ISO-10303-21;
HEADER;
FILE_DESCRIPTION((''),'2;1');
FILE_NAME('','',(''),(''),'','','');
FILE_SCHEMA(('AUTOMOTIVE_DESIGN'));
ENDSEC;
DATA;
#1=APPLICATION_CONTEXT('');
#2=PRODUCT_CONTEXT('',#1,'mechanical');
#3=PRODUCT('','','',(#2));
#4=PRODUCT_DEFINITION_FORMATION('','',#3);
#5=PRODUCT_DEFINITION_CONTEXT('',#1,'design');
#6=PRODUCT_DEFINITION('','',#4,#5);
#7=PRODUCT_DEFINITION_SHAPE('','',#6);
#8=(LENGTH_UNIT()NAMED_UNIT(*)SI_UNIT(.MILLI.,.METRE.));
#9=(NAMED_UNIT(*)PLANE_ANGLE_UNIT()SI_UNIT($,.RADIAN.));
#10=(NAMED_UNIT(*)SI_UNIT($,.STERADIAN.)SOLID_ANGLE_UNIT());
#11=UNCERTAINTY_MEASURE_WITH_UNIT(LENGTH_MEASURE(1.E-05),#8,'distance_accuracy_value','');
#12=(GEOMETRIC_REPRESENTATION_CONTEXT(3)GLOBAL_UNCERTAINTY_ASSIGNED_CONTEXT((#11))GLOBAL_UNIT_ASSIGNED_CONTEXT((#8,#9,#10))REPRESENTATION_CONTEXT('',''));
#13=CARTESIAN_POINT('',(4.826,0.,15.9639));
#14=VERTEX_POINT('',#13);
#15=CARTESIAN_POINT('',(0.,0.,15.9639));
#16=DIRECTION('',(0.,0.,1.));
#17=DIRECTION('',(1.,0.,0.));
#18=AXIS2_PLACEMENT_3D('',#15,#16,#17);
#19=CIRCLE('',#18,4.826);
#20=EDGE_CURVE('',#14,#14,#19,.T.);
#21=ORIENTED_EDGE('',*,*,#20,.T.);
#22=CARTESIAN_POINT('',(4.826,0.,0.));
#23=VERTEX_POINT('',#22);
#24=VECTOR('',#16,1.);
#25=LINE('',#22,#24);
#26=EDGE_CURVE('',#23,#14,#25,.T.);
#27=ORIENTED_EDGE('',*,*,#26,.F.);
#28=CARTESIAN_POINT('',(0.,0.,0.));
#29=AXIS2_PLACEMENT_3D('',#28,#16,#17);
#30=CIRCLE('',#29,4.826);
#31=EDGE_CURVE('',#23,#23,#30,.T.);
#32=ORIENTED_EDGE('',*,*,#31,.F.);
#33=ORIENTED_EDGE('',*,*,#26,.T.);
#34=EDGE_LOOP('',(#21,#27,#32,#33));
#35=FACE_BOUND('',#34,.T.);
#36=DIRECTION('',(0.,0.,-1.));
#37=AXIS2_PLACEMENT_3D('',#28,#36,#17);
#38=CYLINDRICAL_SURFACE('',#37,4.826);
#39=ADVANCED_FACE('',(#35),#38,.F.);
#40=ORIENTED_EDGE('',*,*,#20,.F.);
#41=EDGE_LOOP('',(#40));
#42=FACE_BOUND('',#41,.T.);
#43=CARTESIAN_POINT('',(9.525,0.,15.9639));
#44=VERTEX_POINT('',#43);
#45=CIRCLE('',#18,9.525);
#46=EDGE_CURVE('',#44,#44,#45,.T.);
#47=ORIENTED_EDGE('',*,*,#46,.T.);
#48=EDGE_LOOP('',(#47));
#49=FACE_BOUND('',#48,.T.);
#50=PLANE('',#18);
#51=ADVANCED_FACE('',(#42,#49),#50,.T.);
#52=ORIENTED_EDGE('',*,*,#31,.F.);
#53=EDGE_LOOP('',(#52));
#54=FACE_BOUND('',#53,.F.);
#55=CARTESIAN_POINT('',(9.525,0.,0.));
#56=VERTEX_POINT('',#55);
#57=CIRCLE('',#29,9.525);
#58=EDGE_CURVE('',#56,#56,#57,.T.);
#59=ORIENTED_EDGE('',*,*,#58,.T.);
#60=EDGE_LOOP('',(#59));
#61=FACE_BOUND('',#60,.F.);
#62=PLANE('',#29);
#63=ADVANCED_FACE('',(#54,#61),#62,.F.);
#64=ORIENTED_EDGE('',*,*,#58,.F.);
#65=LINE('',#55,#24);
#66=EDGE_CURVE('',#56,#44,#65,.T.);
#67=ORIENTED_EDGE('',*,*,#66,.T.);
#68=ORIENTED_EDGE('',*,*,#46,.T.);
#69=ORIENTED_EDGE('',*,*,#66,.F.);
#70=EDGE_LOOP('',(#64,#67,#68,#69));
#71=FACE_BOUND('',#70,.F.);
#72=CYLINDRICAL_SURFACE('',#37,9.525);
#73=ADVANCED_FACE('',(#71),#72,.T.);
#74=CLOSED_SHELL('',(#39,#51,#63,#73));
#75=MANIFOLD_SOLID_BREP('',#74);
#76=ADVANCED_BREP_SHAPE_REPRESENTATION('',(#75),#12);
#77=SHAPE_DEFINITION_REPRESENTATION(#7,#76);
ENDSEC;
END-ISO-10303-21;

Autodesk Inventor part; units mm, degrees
ref_plane "YZ Plane" through (0, 0, 0) normal (1, 0, 0) x (0, 1, 0)
ref_plane "XZ Plane" through (0, 0, 0) normal (0, 1, 0) x (-1, 0, 0)
ref_plane "XY Plane" through (0, 0, 0) normal (0, 0, 1) x (1, 0, 0)
sketch "Sketch1" plane through (0, 0, 0) normal (0, 0, 1) x (1, 0, 0)
  circle A0 centre (0, 0) radius 4.826
  circle A1 centre (0, 0) radius 9.525
  dimension "d0" = 9.652
  dimension "d1" = 19.05
extrude "Extrusion1" add sketch "Sketch1" along normal blind 15.9639
properties part number "Omni wheel spacer"
